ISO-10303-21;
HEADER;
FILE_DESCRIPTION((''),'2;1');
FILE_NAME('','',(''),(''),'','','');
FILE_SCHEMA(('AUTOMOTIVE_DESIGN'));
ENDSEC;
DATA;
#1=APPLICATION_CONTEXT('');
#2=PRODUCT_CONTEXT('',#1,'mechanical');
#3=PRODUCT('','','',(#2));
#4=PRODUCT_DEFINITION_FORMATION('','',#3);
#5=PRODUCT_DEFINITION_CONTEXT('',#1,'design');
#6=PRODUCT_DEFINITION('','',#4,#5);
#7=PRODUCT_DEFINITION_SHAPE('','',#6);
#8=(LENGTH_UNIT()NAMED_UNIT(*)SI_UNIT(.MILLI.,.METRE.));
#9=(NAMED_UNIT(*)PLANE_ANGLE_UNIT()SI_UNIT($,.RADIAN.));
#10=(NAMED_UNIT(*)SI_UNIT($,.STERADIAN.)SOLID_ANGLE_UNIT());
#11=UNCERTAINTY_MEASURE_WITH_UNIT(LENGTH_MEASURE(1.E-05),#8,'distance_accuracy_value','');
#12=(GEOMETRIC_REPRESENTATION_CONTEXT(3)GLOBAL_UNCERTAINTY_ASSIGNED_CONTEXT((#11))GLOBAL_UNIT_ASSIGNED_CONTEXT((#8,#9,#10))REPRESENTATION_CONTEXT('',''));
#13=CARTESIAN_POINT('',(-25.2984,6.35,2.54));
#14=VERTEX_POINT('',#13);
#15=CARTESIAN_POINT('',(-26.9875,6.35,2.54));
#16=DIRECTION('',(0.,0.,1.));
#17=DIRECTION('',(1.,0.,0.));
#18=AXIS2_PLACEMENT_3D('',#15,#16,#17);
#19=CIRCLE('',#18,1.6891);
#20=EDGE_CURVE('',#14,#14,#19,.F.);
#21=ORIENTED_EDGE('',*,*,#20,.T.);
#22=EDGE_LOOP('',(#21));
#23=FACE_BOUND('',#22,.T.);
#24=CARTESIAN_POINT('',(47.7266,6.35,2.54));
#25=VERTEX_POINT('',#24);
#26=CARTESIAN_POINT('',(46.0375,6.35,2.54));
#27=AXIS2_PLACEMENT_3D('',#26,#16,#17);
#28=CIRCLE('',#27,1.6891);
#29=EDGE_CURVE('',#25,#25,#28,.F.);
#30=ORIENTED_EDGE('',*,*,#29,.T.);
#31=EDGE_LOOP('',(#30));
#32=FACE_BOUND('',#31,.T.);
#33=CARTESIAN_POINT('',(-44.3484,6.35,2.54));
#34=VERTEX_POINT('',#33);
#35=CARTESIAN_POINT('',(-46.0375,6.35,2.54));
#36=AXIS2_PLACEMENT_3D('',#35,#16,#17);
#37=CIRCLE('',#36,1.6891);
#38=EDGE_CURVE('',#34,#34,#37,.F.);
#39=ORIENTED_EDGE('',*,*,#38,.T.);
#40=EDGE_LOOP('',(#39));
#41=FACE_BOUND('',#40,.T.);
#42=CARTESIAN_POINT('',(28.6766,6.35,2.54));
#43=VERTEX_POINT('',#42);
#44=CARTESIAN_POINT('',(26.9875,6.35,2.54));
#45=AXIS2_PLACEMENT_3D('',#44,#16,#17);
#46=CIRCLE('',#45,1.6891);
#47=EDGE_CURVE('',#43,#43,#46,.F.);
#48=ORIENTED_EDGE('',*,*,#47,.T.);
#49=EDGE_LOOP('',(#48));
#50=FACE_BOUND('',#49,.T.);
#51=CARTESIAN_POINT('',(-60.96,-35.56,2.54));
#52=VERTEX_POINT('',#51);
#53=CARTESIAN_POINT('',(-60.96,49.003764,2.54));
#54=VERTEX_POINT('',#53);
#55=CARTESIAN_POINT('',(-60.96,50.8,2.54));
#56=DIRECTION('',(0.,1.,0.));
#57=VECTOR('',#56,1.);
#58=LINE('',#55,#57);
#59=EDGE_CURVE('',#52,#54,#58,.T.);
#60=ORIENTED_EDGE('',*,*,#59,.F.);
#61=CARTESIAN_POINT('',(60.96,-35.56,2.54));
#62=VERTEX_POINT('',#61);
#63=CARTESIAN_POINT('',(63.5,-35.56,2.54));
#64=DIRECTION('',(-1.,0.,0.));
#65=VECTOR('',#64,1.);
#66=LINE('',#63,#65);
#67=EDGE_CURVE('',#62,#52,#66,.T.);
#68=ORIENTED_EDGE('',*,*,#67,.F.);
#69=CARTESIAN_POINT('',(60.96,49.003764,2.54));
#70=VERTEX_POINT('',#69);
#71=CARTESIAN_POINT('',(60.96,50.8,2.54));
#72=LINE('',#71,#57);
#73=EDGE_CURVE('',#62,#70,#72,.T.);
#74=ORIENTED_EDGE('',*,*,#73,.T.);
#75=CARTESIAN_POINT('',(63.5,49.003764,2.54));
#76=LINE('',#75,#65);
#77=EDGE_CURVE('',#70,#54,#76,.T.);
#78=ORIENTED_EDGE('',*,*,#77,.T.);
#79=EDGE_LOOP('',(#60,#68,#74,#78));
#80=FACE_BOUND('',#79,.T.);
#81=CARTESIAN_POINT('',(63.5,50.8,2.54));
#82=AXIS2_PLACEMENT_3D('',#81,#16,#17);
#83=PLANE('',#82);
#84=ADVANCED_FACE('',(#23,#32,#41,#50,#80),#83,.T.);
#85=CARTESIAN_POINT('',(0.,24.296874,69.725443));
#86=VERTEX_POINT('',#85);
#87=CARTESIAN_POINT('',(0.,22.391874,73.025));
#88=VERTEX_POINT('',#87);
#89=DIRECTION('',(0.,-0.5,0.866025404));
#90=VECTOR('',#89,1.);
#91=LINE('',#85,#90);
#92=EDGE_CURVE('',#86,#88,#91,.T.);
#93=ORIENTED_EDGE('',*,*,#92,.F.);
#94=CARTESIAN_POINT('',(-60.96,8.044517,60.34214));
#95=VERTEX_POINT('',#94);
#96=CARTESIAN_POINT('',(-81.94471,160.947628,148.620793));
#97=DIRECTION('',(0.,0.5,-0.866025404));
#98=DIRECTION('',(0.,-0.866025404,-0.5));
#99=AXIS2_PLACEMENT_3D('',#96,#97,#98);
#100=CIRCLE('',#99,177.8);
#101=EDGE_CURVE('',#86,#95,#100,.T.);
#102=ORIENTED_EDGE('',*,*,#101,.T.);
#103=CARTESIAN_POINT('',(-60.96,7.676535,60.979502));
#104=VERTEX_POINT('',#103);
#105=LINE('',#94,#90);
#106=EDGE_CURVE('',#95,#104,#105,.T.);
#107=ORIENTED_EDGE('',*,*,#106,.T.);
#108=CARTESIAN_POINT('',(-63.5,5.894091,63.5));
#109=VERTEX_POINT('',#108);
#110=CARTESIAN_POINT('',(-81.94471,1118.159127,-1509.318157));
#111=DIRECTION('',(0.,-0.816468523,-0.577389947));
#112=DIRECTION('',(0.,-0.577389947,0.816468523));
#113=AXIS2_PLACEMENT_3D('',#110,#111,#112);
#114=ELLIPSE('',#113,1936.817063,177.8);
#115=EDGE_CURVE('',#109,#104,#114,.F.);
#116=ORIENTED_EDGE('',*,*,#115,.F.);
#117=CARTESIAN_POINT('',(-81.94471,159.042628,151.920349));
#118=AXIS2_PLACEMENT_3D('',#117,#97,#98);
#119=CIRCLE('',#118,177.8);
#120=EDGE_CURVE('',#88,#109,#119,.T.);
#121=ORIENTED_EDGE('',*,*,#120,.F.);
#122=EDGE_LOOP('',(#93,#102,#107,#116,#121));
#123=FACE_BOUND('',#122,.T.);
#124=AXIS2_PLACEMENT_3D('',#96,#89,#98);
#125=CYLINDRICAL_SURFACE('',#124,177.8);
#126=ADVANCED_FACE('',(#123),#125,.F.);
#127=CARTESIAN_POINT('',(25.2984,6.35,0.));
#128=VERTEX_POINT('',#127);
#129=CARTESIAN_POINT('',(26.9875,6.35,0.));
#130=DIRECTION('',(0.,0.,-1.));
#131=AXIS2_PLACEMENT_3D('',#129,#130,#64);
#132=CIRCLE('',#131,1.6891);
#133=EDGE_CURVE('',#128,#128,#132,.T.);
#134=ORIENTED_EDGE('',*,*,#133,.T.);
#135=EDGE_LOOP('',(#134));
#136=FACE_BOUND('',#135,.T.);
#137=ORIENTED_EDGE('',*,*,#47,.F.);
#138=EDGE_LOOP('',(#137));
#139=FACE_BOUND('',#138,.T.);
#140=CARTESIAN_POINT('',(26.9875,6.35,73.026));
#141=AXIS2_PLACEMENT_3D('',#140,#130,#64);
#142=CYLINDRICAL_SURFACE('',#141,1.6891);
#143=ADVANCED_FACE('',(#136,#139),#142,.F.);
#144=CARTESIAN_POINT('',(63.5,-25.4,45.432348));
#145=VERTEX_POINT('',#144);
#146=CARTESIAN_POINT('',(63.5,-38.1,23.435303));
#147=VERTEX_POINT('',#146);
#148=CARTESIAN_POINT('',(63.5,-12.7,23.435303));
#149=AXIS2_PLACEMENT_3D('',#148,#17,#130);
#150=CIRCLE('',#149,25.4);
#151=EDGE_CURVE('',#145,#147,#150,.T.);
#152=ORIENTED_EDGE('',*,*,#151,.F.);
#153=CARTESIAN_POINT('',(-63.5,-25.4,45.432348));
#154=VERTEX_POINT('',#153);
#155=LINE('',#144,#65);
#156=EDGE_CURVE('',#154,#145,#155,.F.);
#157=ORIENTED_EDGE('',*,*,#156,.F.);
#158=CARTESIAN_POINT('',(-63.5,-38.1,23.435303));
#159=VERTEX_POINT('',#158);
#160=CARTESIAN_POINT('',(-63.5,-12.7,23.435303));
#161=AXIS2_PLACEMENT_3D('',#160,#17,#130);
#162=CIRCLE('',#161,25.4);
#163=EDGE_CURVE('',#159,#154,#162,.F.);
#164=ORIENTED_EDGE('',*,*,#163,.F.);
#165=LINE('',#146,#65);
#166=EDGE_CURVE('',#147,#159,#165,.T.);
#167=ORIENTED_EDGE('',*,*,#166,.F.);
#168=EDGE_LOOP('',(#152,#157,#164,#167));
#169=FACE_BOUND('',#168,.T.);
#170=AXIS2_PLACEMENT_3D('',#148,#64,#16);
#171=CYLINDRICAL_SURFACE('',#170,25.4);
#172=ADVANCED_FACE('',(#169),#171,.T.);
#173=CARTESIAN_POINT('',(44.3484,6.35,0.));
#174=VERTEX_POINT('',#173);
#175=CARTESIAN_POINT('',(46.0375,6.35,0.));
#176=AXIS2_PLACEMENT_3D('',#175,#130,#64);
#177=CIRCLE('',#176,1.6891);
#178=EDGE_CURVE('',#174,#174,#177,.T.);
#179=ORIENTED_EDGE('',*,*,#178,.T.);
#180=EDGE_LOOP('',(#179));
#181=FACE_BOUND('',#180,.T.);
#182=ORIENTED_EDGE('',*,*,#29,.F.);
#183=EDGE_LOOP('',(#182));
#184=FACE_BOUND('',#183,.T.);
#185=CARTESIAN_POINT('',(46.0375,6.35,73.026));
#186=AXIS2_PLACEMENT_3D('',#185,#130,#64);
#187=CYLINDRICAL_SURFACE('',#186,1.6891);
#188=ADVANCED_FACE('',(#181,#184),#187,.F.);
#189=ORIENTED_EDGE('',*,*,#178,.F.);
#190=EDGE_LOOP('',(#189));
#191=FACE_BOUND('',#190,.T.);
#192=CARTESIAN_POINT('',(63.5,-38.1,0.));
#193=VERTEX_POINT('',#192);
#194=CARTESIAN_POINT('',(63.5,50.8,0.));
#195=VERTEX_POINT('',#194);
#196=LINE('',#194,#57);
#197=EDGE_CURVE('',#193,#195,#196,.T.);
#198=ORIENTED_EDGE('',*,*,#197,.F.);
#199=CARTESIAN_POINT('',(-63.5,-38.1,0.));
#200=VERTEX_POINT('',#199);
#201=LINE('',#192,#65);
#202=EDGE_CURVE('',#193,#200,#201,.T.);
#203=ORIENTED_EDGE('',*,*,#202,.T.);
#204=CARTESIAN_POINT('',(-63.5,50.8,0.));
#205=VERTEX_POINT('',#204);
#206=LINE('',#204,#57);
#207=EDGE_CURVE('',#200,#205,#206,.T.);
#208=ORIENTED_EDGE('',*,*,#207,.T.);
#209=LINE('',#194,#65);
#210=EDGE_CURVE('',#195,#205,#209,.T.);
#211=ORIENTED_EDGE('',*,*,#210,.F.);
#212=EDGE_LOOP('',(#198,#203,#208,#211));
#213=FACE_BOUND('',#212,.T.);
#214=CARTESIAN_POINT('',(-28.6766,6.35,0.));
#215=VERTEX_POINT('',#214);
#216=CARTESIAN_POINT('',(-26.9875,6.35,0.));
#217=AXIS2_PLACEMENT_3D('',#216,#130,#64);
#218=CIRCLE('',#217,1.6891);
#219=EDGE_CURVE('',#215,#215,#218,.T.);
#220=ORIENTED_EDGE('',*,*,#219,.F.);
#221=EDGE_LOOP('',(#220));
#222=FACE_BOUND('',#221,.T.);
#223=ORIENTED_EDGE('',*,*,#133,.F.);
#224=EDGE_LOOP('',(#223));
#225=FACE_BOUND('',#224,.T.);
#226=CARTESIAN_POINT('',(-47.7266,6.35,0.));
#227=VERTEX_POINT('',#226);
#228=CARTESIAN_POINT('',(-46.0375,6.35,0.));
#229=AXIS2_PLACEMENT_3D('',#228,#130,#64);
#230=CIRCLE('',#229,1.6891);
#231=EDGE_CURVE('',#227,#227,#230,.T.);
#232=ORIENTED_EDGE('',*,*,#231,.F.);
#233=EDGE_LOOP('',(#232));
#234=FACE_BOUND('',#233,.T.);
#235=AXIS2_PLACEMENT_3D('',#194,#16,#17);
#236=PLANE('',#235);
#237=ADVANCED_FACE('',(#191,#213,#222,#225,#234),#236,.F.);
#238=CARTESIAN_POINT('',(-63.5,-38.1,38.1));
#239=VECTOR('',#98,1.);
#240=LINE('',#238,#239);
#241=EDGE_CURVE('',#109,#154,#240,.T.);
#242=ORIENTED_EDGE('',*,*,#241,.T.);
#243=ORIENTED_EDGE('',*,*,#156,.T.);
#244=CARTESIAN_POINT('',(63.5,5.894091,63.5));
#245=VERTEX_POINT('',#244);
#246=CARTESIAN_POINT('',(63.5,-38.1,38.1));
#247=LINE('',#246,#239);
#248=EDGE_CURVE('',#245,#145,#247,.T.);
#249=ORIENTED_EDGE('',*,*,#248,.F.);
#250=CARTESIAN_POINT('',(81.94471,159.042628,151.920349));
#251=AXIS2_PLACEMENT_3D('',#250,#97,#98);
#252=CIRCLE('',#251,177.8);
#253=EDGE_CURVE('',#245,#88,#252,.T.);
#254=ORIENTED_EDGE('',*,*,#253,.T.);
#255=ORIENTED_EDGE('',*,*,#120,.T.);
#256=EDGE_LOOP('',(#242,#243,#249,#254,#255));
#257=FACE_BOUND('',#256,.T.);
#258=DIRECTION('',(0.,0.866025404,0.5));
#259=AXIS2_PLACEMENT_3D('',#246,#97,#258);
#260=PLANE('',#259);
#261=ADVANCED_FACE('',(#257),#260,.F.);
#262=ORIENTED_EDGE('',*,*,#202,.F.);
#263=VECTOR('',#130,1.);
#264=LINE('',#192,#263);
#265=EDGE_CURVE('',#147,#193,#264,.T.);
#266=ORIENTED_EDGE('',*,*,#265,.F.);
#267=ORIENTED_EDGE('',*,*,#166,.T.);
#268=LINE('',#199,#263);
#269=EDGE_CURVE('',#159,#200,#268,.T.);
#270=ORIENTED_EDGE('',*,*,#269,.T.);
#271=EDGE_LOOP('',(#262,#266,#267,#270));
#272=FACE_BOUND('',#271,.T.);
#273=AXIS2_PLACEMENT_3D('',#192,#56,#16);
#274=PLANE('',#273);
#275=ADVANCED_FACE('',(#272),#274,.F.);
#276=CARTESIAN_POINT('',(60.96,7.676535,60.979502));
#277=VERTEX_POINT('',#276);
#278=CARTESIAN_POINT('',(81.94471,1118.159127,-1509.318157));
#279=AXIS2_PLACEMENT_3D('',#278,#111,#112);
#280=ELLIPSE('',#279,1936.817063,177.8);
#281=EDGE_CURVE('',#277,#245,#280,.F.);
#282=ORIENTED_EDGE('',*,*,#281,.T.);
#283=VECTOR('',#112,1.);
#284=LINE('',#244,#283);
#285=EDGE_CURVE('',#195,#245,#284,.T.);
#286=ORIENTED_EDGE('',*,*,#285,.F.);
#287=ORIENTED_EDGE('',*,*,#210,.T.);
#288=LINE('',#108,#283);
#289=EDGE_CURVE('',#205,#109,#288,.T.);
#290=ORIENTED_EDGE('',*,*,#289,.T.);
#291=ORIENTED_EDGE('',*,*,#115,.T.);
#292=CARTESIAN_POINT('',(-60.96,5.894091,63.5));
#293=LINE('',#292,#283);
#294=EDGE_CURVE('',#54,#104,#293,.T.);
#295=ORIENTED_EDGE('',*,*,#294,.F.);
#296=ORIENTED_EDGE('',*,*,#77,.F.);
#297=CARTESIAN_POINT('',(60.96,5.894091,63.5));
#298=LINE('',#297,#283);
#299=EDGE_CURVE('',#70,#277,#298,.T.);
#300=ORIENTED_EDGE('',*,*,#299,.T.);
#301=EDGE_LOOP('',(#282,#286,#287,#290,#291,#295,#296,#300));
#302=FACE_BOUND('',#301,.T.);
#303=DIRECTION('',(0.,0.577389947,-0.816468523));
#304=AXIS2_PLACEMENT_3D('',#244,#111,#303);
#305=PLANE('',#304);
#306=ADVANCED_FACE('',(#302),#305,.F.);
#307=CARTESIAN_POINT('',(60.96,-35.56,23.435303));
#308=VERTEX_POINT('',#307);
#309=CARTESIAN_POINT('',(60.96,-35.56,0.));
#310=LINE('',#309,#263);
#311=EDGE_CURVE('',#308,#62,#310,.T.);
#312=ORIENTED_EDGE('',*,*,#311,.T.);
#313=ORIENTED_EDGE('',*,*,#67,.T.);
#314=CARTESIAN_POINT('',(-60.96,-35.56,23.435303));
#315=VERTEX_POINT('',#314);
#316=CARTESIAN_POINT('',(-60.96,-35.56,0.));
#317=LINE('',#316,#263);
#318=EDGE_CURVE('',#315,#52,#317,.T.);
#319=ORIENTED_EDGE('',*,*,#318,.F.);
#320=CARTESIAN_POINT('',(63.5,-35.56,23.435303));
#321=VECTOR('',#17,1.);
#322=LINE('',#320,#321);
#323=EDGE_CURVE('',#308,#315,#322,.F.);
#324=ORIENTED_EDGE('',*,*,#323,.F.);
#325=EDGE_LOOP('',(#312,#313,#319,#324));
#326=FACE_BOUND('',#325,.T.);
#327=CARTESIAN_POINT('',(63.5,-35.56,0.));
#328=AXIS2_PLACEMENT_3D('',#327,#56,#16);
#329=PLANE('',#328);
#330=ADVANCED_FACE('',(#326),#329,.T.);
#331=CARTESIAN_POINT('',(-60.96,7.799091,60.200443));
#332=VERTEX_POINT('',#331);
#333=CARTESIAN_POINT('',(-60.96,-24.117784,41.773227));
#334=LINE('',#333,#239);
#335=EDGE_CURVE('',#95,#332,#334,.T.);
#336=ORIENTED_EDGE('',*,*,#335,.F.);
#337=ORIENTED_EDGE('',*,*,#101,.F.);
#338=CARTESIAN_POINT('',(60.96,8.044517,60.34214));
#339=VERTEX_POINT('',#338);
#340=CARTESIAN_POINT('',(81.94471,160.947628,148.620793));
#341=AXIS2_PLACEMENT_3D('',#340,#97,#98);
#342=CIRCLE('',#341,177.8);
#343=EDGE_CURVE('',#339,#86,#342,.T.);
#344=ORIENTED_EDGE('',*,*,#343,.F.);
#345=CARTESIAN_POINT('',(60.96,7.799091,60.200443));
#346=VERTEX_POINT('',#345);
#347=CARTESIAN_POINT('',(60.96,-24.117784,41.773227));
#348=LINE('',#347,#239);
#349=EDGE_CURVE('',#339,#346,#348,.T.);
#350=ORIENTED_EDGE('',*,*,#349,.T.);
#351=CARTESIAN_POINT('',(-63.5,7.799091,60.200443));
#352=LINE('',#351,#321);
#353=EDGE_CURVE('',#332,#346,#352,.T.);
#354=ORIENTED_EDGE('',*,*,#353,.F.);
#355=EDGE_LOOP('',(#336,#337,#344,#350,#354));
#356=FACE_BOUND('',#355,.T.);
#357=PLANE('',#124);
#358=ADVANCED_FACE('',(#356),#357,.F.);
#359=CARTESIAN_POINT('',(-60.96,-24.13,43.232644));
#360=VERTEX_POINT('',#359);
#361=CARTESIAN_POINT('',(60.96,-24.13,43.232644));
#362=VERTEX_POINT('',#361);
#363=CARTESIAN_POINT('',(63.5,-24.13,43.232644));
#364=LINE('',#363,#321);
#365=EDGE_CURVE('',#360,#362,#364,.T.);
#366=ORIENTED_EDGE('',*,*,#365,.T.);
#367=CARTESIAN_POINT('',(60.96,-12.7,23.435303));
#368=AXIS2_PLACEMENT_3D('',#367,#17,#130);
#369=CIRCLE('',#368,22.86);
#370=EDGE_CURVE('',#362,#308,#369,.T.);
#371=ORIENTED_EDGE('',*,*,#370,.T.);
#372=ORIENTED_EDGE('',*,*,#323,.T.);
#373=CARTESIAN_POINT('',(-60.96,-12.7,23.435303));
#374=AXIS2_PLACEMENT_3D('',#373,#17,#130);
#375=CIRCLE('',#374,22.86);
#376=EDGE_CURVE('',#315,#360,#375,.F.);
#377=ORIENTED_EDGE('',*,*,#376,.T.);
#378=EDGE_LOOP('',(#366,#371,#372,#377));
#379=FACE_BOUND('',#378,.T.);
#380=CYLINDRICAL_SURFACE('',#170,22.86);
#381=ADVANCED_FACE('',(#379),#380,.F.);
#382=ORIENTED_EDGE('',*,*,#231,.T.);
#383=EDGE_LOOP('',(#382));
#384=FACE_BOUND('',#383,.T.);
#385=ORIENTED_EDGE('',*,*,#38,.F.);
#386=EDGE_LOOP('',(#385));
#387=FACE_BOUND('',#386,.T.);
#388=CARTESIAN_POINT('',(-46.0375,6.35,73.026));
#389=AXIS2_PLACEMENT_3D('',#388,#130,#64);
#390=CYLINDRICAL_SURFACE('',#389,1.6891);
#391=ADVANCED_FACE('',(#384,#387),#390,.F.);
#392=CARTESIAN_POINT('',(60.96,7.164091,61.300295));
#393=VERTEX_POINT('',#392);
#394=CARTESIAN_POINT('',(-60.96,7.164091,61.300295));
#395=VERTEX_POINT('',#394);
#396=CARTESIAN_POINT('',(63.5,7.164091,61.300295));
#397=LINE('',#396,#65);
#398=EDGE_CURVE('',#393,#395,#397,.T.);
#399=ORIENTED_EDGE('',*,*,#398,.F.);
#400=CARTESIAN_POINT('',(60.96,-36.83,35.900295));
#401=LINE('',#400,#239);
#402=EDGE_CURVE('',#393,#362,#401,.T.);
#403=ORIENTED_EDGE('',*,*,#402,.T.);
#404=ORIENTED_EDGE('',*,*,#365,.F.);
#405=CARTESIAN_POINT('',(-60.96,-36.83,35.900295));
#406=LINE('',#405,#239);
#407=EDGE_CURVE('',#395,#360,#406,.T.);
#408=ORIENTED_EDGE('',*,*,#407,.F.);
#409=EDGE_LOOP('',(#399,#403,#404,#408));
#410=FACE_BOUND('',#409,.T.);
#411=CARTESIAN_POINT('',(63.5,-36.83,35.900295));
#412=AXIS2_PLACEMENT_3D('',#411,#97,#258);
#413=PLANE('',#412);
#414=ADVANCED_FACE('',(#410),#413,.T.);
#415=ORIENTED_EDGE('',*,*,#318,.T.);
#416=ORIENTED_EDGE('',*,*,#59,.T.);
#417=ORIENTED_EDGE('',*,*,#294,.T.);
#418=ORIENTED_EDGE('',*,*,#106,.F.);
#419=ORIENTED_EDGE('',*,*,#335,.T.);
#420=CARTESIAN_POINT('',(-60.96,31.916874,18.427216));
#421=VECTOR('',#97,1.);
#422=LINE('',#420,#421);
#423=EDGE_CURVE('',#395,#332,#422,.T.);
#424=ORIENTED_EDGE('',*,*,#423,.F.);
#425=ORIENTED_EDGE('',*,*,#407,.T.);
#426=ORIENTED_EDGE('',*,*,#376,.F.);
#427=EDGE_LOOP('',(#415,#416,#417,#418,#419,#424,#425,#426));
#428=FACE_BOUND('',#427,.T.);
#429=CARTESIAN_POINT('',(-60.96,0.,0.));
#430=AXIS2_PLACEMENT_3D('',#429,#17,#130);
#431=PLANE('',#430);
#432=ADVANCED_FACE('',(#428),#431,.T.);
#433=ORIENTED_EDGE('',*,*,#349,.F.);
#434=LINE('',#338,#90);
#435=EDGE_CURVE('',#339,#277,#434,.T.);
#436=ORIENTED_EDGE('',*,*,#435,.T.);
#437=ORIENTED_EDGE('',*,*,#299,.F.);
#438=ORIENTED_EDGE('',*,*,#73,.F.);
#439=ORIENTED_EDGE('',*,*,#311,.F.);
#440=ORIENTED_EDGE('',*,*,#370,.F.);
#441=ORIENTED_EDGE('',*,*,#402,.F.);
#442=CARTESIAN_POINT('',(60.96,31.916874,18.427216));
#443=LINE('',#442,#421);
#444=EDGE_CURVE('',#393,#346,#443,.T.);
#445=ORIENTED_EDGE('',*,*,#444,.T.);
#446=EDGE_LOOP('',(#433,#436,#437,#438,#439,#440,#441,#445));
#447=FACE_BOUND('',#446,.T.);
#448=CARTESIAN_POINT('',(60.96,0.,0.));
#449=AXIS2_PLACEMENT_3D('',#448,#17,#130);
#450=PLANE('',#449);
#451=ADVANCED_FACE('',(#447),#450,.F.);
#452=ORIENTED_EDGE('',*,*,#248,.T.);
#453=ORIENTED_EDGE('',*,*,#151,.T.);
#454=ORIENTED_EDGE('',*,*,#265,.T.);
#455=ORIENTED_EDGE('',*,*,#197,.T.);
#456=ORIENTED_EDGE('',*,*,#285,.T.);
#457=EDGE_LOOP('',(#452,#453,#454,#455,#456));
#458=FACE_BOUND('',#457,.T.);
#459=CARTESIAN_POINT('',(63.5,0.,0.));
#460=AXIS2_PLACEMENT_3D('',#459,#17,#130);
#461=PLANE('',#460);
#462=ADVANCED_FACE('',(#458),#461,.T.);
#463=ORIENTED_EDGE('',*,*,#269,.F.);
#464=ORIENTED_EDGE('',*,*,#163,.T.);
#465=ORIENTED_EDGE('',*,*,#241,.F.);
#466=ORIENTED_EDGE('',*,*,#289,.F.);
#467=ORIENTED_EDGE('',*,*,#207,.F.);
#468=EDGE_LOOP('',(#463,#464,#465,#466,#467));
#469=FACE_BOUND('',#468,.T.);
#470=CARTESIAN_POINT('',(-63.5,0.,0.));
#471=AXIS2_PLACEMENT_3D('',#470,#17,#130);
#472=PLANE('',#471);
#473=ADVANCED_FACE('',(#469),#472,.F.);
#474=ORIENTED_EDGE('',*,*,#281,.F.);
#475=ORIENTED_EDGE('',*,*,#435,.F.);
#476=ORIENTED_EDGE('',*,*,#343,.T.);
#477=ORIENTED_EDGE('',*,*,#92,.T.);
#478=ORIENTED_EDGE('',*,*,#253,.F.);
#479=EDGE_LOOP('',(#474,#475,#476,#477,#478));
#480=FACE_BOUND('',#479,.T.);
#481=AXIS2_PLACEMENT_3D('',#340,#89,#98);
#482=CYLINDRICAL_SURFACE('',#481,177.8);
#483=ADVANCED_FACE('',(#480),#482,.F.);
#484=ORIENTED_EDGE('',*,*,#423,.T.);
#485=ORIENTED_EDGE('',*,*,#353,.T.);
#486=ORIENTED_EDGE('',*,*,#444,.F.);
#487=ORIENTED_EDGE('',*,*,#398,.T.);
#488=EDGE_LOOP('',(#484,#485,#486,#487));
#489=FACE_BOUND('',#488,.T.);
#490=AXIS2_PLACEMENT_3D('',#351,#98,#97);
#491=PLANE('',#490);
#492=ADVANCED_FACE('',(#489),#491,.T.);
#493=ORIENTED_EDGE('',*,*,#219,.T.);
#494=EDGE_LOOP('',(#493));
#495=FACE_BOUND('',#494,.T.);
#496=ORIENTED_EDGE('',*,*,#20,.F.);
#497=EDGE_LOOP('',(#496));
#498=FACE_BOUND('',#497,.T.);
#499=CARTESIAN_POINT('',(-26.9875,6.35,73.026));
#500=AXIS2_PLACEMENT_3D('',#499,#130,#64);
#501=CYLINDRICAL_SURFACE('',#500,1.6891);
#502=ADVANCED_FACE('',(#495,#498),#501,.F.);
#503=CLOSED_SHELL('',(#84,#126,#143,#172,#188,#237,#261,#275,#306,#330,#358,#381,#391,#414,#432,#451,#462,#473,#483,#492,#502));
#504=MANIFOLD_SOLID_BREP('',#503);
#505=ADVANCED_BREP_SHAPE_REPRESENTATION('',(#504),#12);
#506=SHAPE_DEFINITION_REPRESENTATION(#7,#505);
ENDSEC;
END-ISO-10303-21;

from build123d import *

# Parameters (mm, degrees)
BOSS_EXTRUDE1_DEPTH = 63.5
FILLET1_R           = 25.4
SHELL1_T            = -2.54
BOSS_EXTRUDE4_DEPTH = 3.81
CUT_EXTRUDE2_REACH  = 75.025
SKETCH6_R           = 1.6891


with BuildPart() as part:
    # Sketch2 → Boss-Extrude1 (new body, symmetric)
    with BuildSketch(Plane(origin=(0, 0, 0), x_dir=(0, 0, -1), z_dir=(1, 0, 0))):
        Polygon((0, 50.8), (0, -38.1), (-38.1, -38.1), (-63.5, 5.894090512), align=None)
    extrude(amount=BOSS_EXTRUDE1_DEPTH, both=True)

    # Fillet1
    fillet1_edges = [part.edges().sort_by_distance(p)[0] for p in [
        (0, -38.1, 38.1),
    ]]
    fillet(fillet1_edges, radius=FILLET1_R)

    # Shell1
    shell1_openings = [part.faces().sort_by_distance(p)[0] for p in [
        (0, 28.347045256, 31.75),
    ]]
    offset(amount=SHELL1_T, openings=shell1_openings, kind=Kind.INTERSECTION)

    # Sketch3 → Boss-Extrude4 (add)
    with BuildSketch(Plane(origin=(0, -26.022783942, 45.072783942), x_dir=(1, 0, 0), z_dir=(0, -0.5, 0.866025404))):
        with BuildLine():
            Line((-63.5, 36.854432116), (63.5, 36.854432116))
            ThreePointArc((63.5, 36.854432116), (30.854255532, 43.393617223), (0, 55.904432116))
            ThreePointArc((0, 55.904432116), (-30.854255532, 43.393617223), (-63.5, 36.854432116))
        make_face()
    extrude(amount=-BOSS_EXTRUDE4_DEPTH)

    # Sketch6 → Cut-Extrude2 (cut, up to next)
    with BuildSketch(Plane(origin=(0, 0, 0), x_dir=(-1, 0, 0), z_dir=(0, 0, -1)), mode=Mode.PRIVATE) as cut_extrude2_sk1:
        with Locations((-46.0375, 6.35)):
            Circle(SKETCH6_R)
    cut_extrude2_tool1 = extrude(cut_extrude2_sk1.sketch, amount=-CUT_EXTRUDE2_REACH, mode=Mode.PRIVATE) & part.part
    add(cut_extrude2_tool1.solids().sort_by_distance((46.0375, 6.35, 0))[0], mode=Mode.SUBTRACT)
    # Sketch6 → Cut-Extrude2 (cut, up to next)
    with BuildSketch(Plane(origin=(0, 0, 0), x_dir=(-1, 0, 0), z_dir=(0, 0, -1)), mode=Mode.PRIVATE) as cut_extrude2_sk2:
        with Locations((-26.9875, 6.35)):
            Circle(SKETCH6_R)
    cut_extrude2_tool2 = extrude(cut_extrude2_sk2.sketch, amount=-CUT_EXTRUDE2_REACH, mode=Mode.PRIVATE) & part.part
    add(cut_extrude2_tool2.solids().sort_by_distance((26.9875, 6.35, 0))[0], mode=Mode.SUBTRACT)
    # Sketch6 → Cut-Extrude2 (cut, up to next)
    with BuildSketch(Plane(origin=(0, 0, 0), x_dir=(-1, 0, 0), z_dir=(0, 0, -1)), mode=Mode.PRIVATE) as cut_extrude2_sk3:
        with Locations((26.9875, 6.35)):
            Circle(SKETCH6_R)
    cut_extrude2_tool3 = extrude(cut_extrude2_sk3.sketch, amount=-CUT_EXTRUDE2_REACH, mode=Mode.PRIVATE) & part.part
    add(cut_extrude2_tool3.solids().sort_by_distance((-26.9875, 6.35, 0))[0], mode=Mode.SUBTRACT)
    # Sketch6 → Cut-Extrude2 (cut, up to next)
    with BuildSketch(Plane(origin=(0, 0, 0), x_dir=(-1, 0, 0), z_dir=(0, 0, -1)), mode=Mode.PRIVATE) as cut_extrude2_sk4:
        with Locations((46.0375, 6.35)):
            Circle(SKETCH6_R)
    cut_extrude2_tool4 = extrude(cut_extrude2_sk4.sketch, amount=-CUT_EXTRUDE2_REACH, mode=Mode.PRIVATE) & part.part
    add(cut_extrude2_tool4.solids().sort_by_distance((-46.0375, 6.35, 0))[0], mode=Mode.SUBTRACT)


solid = part.part
